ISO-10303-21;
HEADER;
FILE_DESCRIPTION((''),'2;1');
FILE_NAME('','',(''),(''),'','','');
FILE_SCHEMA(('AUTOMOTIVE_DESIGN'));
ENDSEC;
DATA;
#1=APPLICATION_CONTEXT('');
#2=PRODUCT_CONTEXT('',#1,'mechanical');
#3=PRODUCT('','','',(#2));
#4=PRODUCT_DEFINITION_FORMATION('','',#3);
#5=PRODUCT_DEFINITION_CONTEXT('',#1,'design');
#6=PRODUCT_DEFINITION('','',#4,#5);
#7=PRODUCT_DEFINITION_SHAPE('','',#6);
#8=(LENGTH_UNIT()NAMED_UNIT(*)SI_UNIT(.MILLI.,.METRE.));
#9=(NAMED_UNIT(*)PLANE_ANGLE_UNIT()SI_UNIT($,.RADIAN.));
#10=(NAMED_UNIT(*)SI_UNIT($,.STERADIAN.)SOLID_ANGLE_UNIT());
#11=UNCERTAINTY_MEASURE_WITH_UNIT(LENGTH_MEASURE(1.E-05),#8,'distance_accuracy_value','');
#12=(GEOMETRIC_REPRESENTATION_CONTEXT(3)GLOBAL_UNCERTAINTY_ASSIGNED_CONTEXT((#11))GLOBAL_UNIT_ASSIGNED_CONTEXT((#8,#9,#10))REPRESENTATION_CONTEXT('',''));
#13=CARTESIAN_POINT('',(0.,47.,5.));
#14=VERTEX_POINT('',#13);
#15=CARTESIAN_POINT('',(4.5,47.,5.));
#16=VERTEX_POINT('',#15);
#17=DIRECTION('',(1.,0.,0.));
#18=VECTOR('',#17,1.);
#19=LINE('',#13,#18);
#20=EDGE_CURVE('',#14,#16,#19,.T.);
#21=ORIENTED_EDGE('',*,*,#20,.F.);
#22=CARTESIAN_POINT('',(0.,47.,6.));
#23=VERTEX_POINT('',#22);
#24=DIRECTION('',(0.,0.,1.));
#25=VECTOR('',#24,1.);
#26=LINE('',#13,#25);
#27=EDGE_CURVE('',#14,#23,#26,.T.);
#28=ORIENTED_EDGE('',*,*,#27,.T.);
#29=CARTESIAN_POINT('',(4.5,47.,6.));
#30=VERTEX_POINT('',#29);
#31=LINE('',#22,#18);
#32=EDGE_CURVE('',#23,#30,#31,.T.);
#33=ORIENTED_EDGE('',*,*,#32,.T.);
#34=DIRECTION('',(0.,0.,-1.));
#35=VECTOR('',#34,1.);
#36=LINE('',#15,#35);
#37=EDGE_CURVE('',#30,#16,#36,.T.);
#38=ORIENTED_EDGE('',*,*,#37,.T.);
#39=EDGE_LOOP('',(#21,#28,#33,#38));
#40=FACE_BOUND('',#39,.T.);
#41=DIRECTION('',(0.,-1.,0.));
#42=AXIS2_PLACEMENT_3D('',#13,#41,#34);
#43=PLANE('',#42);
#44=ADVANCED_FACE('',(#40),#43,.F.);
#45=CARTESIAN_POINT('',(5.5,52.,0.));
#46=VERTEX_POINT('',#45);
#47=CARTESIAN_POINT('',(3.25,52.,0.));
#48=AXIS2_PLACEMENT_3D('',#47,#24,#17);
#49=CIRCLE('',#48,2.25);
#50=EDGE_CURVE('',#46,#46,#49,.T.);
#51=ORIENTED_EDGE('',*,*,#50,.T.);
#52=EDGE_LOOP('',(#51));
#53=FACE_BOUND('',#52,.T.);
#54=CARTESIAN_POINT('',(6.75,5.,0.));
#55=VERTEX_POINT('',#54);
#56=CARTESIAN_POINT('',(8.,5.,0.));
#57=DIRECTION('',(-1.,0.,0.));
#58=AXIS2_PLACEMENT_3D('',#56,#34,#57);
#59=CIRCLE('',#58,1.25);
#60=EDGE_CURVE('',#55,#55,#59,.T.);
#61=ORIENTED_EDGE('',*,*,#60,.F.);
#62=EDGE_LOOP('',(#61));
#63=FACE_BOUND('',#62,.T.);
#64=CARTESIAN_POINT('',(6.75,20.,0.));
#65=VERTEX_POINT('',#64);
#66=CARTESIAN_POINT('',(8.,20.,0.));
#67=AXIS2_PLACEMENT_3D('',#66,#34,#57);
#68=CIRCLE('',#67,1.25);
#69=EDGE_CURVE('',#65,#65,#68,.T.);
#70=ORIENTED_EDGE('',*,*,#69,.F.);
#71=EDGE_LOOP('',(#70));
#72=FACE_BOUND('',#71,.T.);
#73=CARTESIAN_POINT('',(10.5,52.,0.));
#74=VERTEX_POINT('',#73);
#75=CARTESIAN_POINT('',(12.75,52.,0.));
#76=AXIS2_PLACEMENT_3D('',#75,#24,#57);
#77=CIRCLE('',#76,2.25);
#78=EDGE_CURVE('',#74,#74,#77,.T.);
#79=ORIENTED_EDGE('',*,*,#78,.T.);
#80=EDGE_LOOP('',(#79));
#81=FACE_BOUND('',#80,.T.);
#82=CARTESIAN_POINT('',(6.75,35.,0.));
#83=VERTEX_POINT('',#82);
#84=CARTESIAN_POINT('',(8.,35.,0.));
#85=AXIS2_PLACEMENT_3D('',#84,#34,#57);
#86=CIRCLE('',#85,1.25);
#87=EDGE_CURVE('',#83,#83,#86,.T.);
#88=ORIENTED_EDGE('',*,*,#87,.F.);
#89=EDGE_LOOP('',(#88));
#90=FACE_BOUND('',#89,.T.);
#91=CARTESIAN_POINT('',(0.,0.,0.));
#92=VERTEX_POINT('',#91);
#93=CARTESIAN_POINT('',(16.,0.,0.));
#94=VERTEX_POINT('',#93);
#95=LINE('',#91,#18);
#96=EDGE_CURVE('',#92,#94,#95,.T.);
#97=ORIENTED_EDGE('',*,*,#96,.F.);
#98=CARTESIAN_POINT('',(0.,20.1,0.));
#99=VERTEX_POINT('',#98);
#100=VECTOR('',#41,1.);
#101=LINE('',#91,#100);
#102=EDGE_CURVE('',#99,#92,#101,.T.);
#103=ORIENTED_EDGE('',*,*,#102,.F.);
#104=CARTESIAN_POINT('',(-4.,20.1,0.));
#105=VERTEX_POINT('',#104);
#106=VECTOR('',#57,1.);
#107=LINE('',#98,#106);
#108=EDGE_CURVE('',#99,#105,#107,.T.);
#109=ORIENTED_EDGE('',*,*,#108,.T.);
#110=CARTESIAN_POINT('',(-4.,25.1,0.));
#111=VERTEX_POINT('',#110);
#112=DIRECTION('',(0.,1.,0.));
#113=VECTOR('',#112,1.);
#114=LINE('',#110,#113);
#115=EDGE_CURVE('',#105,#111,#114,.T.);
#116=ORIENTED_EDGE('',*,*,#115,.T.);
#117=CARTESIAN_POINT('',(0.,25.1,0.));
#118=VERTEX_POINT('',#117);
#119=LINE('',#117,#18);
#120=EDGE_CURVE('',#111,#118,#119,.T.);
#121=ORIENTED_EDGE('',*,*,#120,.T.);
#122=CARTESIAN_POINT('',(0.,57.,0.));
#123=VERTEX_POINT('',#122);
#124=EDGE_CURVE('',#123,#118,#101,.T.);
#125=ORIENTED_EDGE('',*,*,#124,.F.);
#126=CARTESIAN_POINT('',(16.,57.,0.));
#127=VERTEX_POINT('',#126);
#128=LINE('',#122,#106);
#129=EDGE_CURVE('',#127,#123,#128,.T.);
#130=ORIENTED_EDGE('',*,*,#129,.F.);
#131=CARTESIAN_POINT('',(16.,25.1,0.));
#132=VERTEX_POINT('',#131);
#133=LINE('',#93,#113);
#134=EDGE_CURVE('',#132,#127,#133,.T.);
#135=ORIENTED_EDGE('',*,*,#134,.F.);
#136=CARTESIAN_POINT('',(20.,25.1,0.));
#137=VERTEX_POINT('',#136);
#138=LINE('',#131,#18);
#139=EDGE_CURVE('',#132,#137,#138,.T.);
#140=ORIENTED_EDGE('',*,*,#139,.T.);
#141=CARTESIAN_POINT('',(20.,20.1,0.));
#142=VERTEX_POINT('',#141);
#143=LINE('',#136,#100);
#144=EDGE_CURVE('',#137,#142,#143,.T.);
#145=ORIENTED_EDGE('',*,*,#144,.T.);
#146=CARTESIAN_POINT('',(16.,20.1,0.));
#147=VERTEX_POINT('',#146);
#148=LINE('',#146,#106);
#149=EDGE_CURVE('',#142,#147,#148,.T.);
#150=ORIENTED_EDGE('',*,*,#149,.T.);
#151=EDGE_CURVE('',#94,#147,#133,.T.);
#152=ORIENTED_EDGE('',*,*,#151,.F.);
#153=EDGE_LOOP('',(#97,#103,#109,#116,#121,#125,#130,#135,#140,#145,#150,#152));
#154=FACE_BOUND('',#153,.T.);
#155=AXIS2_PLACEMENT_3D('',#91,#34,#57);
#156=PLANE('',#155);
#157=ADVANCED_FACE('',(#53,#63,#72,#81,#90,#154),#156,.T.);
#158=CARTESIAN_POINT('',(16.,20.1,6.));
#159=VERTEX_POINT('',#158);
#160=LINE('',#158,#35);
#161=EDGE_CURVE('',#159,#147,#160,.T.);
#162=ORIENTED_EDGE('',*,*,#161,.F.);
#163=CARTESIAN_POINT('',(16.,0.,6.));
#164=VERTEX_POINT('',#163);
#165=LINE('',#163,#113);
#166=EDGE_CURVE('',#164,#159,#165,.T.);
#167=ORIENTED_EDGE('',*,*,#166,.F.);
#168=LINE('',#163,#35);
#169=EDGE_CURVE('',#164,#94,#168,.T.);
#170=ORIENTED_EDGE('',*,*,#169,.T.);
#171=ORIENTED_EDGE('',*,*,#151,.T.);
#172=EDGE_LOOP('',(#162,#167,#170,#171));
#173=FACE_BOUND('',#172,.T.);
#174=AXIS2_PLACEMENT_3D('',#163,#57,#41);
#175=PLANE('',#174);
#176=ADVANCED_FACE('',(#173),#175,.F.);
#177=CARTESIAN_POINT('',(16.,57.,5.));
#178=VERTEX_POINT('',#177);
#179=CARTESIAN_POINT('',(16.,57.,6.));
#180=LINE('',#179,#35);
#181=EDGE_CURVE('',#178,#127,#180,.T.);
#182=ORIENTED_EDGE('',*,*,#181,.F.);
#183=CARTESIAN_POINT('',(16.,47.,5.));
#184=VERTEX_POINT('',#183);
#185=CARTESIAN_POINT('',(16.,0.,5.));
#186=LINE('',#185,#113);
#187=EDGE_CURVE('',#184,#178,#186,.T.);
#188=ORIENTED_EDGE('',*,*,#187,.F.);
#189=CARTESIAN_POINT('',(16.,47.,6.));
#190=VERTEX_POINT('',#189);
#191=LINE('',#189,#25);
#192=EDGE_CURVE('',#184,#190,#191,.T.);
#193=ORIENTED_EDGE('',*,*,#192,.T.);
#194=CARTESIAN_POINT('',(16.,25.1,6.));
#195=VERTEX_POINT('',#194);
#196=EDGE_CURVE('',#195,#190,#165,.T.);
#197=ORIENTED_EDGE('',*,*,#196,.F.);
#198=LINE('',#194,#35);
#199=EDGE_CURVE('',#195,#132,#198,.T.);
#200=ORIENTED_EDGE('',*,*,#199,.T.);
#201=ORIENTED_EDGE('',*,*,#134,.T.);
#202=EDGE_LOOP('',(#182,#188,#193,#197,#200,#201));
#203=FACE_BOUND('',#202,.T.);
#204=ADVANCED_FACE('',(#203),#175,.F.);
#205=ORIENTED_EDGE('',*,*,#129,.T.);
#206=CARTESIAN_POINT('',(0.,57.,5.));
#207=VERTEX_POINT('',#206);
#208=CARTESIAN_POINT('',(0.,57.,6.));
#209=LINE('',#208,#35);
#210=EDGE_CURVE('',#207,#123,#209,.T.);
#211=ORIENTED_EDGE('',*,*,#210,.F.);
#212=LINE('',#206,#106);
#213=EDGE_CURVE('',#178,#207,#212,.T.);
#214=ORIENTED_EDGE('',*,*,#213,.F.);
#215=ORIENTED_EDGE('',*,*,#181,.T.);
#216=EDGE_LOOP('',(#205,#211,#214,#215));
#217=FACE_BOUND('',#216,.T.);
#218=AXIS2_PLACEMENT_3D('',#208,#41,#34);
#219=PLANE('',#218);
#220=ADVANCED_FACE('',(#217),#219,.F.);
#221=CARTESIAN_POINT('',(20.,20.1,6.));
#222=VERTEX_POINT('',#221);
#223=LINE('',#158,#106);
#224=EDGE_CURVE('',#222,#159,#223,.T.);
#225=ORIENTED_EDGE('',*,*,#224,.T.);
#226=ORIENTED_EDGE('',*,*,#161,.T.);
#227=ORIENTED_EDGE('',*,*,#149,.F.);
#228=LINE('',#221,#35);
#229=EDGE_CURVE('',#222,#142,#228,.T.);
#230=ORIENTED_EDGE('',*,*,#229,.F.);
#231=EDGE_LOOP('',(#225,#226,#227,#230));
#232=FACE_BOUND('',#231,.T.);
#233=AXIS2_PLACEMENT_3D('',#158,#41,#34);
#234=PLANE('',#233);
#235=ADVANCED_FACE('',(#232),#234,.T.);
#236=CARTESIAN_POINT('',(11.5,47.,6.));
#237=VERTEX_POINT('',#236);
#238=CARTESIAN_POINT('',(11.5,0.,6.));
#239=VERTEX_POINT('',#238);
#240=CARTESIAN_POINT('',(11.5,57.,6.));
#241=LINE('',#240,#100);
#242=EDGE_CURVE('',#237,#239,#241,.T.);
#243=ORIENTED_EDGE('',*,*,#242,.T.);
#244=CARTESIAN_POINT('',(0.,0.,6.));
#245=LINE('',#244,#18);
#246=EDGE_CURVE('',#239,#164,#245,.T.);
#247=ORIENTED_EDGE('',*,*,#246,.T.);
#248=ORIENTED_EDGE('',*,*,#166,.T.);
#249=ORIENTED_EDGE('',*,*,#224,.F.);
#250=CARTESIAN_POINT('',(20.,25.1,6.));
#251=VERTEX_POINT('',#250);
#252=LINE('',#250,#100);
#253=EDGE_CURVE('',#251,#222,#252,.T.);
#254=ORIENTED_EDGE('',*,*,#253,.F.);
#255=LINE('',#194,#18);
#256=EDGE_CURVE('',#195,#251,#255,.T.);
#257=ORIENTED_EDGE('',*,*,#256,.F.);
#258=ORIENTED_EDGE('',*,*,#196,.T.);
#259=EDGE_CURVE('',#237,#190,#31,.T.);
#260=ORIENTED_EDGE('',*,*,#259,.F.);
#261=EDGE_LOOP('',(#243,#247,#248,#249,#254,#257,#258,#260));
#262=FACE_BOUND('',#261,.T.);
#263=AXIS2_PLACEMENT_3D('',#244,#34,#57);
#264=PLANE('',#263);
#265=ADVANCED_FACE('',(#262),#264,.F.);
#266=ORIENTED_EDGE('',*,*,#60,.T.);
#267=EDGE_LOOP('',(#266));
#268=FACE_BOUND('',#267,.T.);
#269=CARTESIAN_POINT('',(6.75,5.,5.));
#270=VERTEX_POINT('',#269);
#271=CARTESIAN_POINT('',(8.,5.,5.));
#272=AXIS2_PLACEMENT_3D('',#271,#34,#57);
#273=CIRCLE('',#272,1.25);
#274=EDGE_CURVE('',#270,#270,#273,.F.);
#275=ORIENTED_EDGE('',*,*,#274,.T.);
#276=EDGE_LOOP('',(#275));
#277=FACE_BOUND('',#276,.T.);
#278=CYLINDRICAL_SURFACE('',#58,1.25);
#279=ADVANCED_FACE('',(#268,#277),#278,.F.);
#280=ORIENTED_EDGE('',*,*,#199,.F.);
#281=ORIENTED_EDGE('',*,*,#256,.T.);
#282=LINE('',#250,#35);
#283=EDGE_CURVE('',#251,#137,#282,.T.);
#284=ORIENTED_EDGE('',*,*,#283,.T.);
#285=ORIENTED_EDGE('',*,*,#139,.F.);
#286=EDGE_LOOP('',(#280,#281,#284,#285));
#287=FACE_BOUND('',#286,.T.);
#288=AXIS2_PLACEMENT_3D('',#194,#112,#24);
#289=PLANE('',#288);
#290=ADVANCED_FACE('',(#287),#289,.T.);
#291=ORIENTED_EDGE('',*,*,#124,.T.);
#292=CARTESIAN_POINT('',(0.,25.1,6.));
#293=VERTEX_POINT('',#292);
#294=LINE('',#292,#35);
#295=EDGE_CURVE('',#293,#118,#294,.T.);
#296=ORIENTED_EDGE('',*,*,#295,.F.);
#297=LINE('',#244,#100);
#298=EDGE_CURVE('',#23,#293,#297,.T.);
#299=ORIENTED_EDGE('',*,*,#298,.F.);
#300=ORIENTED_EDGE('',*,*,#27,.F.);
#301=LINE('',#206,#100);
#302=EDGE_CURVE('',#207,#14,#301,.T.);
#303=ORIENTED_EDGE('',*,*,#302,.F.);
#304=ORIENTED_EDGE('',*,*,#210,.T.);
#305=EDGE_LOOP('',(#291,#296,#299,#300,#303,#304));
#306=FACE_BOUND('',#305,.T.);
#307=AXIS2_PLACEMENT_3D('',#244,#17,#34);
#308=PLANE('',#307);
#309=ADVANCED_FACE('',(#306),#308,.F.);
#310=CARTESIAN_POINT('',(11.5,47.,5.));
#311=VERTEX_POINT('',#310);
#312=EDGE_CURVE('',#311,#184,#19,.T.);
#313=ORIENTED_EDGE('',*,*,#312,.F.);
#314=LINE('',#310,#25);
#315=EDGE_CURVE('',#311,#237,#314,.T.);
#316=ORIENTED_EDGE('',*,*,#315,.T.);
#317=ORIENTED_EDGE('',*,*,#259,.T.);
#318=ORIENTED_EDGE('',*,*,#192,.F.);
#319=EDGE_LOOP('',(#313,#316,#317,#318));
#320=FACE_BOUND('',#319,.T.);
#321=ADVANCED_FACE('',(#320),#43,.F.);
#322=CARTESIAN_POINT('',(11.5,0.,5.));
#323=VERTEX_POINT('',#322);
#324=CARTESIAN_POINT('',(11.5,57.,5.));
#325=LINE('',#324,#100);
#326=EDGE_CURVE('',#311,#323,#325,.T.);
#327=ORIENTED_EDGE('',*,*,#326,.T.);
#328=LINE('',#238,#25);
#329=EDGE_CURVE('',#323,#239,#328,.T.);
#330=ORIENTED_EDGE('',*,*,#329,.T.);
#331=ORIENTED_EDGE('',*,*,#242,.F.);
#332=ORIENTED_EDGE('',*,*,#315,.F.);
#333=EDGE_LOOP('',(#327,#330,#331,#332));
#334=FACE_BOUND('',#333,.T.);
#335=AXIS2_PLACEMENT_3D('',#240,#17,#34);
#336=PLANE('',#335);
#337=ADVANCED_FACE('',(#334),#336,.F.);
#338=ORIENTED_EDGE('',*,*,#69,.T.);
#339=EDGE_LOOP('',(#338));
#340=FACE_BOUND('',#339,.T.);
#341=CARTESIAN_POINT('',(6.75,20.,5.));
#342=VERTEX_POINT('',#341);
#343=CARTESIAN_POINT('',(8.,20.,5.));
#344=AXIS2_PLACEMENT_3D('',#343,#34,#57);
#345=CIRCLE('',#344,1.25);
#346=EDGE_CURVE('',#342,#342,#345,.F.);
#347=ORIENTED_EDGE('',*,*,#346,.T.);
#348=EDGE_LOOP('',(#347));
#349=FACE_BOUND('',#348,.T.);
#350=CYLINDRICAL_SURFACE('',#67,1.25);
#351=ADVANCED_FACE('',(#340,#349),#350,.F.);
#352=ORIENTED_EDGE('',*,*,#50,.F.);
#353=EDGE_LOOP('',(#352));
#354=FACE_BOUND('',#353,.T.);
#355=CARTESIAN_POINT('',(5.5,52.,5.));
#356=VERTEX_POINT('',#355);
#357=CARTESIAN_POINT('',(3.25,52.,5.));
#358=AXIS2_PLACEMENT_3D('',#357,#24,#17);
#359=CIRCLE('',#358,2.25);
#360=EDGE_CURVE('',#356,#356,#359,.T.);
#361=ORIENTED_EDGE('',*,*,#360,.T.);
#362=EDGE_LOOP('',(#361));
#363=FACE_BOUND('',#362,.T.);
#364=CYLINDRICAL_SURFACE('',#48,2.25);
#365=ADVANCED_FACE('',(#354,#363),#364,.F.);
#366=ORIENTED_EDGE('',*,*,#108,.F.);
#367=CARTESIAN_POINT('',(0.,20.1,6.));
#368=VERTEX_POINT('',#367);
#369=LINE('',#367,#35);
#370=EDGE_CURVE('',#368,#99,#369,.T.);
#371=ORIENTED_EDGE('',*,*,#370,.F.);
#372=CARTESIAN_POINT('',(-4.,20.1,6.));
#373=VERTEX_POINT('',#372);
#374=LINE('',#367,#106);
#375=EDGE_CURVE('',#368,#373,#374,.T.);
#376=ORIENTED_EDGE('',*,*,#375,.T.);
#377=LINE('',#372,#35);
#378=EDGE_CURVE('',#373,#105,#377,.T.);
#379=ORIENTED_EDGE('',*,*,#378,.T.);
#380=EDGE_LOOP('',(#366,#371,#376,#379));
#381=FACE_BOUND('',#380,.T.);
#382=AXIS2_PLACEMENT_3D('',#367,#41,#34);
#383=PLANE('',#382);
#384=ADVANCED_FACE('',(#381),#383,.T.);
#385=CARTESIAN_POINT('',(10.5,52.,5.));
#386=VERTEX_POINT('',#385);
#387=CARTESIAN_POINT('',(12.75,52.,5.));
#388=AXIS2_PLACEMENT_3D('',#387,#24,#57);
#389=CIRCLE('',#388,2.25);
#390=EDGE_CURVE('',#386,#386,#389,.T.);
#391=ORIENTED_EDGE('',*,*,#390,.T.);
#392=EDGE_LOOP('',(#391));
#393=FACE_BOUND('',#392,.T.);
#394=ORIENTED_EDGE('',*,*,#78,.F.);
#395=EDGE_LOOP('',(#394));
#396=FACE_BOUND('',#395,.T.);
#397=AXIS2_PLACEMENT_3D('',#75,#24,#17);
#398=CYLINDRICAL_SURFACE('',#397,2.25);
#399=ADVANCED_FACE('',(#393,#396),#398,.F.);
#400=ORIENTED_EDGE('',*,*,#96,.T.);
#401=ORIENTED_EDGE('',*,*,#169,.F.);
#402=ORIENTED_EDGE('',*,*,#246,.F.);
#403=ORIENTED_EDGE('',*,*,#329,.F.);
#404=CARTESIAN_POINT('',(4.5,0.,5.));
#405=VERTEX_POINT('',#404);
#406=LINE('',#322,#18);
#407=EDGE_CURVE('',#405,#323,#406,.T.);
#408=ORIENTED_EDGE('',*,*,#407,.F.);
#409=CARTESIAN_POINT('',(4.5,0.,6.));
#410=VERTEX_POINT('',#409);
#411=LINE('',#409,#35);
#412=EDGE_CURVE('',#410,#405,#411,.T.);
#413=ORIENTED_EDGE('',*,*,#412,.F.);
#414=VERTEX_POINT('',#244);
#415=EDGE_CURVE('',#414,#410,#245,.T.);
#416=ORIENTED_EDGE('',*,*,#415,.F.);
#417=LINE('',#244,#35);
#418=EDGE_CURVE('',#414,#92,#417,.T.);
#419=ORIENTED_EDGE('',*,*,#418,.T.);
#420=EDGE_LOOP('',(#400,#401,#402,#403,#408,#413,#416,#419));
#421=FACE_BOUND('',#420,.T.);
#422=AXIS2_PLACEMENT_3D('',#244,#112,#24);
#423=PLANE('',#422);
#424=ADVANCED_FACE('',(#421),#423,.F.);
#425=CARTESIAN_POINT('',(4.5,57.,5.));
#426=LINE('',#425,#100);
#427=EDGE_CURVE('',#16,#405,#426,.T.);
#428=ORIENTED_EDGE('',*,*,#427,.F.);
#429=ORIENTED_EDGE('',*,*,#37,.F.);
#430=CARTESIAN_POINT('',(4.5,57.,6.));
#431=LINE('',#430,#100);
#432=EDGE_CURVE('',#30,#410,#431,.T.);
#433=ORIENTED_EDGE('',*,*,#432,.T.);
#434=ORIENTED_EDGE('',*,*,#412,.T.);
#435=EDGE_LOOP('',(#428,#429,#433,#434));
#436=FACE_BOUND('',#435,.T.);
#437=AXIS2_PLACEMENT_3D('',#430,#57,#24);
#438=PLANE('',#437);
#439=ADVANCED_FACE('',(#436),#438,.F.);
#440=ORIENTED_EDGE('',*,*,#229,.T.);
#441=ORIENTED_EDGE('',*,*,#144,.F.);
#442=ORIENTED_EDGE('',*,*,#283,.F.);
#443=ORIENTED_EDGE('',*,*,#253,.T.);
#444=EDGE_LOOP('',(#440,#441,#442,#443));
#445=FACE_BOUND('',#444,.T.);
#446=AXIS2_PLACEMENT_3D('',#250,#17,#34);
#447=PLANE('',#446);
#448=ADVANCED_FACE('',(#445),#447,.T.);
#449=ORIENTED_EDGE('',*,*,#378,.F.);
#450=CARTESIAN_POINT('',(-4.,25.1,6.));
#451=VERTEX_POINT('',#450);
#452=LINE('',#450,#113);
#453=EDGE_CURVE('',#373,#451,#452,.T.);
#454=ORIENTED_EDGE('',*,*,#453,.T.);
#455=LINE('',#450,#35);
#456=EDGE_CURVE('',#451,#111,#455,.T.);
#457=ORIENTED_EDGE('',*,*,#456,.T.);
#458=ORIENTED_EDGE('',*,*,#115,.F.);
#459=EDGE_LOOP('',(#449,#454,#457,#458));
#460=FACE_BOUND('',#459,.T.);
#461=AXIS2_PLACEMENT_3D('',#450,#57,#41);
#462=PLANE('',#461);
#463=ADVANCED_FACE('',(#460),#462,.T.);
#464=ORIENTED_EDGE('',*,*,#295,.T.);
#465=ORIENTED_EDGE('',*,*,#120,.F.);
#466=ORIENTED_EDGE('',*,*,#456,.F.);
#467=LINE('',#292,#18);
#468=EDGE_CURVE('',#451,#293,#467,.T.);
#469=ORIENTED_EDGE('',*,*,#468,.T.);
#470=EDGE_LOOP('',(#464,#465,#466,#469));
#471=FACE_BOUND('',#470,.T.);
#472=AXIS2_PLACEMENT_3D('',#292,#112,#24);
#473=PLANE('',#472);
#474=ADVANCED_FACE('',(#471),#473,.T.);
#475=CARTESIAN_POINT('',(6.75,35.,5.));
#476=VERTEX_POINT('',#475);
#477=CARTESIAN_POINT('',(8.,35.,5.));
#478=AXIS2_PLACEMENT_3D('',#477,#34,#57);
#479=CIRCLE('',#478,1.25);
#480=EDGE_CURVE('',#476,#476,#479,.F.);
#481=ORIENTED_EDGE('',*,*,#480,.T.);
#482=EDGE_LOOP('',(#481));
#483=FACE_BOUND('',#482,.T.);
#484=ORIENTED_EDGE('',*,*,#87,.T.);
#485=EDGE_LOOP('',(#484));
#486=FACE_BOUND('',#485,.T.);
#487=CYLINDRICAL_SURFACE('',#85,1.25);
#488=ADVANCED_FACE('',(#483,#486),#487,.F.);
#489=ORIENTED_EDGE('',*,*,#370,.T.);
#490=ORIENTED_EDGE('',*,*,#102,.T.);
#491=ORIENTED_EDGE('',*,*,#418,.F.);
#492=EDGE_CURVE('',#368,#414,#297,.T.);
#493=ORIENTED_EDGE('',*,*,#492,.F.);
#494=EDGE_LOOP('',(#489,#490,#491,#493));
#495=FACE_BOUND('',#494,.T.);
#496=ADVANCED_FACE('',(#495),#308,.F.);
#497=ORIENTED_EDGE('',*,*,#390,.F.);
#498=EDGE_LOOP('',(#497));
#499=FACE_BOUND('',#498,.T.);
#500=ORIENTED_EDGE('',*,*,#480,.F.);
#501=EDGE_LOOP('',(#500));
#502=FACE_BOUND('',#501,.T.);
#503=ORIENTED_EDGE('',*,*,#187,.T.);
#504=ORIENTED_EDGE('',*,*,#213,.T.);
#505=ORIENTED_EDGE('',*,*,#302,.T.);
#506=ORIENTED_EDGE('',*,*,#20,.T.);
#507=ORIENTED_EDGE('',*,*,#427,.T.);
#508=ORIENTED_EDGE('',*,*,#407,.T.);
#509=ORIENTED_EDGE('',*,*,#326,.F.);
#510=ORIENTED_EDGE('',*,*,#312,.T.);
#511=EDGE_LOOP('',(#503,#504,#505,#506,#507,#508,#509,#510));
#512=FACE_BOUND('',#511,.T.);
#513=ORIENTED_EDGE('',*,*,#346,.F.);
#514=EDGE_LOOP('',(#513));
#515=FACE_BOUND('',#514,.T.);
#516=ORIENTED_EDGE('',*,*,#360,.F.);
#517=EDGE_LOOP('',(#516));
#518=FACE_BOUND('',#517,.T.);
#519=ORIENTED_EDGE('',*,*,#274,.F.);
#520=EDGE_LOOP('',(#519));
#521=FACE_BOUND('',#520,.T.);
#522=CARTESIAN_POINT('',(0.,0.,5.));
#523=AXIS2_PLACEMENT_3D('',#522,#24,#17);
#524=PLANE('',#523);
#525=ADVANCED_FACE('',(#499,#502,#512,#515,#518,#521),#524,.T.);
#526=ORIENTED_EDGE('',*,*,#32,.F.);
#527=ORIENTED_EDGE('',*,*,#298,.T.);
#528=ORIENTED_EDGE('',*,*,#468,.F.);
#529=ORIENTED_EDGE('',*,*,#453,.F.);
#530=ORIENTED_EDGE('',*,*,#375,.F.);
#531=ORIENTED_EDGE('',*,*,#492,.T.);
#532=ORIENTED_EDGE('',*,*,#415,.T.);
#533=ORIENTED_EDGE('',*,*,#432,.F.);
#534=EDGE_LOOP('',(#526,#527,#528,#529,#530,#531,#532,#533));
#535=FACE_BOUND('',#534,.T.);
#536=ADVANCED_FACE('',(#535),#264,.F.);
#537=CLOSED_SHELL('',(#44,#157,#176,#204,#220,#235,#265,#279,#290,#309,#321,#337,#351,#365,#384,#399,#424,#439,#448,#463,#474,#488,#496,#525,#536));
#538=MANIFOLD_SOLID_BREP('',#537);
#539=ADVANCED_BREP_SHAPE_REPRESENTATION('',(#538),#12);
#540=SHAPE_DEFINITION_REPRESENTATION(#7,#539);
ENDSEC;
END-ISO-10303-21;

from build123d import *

# Parameters (mm, degrees)
SKETCH_1_W             = 16
SKETCH_1_H             = 57
EXTRUDE_1_DEPTH        = 6
SKETCH_2_W             = 31.720899854
SKETCH_2_H             = 10
CUT_EXTRUDE_1_DEPTH    = 1
SKETCH_3_W             = 4
SKETCH_3_H             = 5
EXTRUDE_2_DEPTH        = 6
HOLE_WIZARD_M3_1_D     = 2.5
HOLE_WIZARD_M3_1_DEPTH = 7.5
HOLE_WIZARD_M3_1_TIP   = 0.751075774
SKETCH_6_W             = 7
SKETCH_6_H             = 1
CUT_EXTRUDE_2_DEPTH    = 58
SKETCH_7_R             = 2.25
CUT_EXTRUDE_3_DEPTH    = 6


with BuildPart() as part:
    # 草图1 → 凸台-拉伸1 (new body)
    with BuildSketch(Plane.XY):
        with Locations((8, 28.5)):
            Rectangle(SKETCH_1_W, SKETCH_1_H)
    extrude(amount=EXTRUDE_1_DEPTH)

    # 草图2 → 切除-拉伸1 (cut)
    with BuildSketch(Plane.XY.offset(6)):
        with Locations((15.860449927, 52)):
            Rectangle(SKETCH_2_W, SKETCH_2_H)
    extrude(amount=-CUT_EXTRUDE_1_DEPTH, mode=Mode.SUBTRACT)

    # 草图3 → 凸台-拉伸2 (add)
    with BuildSketch(Plane(origin=(0, 0, 0), x_dir=(-1, 0, 0), z_dir=(0, 0, -1))):
        with Locations((-18, 22.6)):
            Rectangle(SKETCH_3_W, SKETCH_3_H)
        with Locations((2, 22.6)):
            Rectangle(SKETCH_3_W, SKETCH_3_H)
    extrude(amount=-EXTRUDE_2_DEPTH)

    # M3 螺纹孔1
    with Locations(Plane(origin=(0, 0, 0), x_dir=(-1, 0, 0), z_dir=(0, 0, -1))):
        with Locations((-8, 35), (-8, 20), (-8, 5)):
            Hole(HOLE_WIZARD_M3_1_D / 2, depth=HOLE_WIZARD_M3_1_DEPTH)
            with Locations((0, 0, -(HOLE_WIZARD_M3_1_DEPTH + HOLE_WIZARD_M3_1_TIP / 2))):  # 118° drill point
                Cone(0, HOLE_WIZARD_M3_1_D / 2, HOLE_WIZARD_M3_1_TIP, mode=Mode.SUBTRACT)

    # 草图6 → 切除-拉伸2 (cut, through all)
    with BuildSketch(Plane.XZ):
        with Locations((8, 5.5)):
            Rectangle(SKETCH_6_W, SKETCH_6_H)
    extrude(amount=-CUT_EXTRUDE_2_DEPTH, mode=Mode.SUBTRACT)

    # 草图7 → 切除-拉伸3 (cut, through all)
    with BuildSketch(Plane.XY.offset(5)):
        with Locations((3.25, 52)):
            Circle(SKETCH_7_R)
        with Locations((12.75, 52)):
            Circle(SKETCH_7_R)
    extrude(amount=-CUT_EXTRUDE_3_DEPTH, mode=Mode.SUBTRACT)


solid = part.part
